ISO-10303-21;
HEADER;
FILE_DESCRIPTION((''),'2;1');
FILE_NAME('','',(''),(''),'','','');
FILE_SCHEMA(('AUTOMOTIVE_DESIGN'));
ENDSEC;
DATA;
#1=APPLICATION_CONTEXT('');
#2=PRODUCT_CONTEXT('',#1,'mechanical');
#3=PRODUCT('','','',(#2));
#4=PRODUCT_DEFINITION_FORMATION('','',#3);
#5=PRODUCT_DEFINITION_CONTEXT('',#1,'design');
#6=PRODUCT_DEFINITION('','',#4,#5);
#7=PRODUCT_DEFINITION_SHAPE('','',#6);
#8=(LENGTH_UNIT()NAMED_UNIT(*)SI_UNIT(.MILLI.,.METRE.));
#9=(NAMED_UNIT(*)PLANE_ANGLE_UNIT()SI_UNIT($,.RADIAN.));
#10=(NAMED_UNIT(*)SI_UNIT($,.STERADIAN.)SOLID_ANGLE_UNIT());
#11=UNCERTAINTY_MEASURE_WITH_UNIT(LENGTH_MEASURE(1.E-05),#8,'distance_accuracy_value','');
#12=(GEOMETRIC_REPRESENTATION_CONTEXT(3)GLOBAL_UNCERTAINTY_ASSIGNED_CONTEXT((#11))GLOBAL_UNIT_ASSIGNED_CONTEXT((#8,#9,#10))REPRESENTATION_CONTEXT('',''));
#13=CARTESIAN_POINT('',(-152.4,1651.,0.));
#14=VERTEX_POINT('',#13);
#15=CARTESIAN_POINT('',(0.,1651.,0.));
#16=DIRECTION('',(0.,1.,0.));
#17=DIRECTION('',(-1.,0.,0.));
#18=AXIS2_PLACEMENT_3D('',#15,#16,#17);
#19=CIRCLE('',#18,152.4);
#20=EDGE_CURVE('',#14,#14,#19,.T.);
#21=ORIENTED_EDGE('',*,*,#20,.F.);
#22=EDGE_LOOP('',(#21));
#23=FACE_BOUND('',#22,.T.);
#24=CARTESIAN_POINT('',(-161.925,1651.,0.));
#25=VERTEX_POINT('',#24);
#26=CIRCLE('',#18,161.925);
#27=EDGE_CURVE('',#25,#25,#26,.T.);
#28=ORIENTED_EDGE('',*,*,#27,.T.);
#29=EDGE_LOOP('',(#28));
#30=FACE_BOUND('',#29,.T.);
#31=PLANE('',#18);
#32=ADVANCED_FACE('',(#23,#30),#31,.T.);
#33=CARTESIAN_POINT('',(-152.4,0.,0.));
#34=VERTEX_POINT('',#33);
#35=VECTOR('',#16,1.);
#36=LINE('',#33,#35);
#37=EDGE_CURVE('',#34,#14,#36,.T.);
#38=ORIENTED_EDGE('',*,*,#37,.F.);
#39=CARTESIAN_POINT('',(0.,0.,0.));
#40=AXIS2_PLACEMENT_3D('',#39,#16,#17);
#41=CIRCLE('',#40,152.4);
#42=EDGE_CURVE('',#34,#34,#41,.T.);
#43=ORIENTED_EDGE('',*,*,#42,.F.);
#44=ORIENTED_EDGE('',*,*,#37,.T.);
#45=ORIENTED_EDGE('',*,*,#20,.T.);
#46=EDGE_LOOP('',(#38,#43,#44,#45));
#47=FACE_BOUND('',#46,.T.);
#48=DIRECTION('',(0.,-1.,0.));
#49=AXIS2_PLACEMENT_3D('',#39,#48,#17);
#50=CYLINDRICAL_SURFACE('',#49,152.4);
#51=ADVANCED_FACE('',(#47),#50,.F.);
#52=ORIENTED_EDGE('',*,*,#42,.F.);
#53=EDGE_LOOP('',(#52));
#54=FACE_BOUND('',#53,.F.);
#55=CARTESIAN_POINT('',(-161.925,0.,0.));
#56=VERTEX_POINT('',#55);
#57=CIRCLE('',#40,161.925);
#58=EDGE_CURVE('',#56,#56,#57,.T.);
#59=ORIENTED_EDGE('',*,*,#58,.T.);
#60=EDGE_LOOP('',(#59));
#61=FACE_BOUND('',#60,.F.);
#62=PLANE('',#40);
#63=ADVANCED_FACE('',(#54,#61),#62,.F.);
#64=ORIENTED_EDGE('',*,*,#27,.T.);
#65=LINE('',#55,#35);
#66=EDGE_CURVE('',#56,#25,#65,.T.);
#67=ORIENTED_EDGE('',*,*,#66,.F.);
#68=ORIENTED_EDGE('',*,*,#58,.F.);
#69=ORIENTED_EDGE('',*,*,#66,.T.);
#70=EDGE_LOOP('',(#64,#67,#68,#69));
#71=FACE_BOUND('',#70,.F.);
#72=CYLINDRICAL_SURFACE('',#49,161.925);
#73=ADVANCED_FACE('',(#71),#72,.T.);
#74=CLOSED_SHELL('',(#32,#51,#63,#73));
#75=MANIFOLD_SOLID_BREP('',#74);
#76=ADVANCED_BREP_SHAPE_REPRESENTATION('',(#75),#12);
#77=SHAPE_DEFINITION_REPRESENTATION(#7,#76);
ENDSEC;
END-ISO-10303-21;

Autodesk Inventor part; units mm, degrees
ref_plane "YZ Plane" through (0, 0, 0) normal (1, 0, 0) x (0, 1, 0)
ref_plane "XZ Plane" through (0, 0, 0) normal (0, 1, 0) x (-1, 0, 0)
ref_plane "XY Plane" through (0, 0, 0) normal (0, 0, 1) x (1, 0, 0)
sketch "Sketch1" plane through (0, 0, 0) normal (0, 1, 0) x (-1, 0, 0)
  circle A0 centre (0, 0) radius 152.4
  circle A1 centre (0, 0) radius 161.925
  dimension "d0" = 323.85
  dimension "d1" = 9.525
extrude "Extrusion1" add sketch "Sketch1" along normal blind 1651
properties part number "ODYSSEY-0004-001" material "Stainless Steel, 440C"
